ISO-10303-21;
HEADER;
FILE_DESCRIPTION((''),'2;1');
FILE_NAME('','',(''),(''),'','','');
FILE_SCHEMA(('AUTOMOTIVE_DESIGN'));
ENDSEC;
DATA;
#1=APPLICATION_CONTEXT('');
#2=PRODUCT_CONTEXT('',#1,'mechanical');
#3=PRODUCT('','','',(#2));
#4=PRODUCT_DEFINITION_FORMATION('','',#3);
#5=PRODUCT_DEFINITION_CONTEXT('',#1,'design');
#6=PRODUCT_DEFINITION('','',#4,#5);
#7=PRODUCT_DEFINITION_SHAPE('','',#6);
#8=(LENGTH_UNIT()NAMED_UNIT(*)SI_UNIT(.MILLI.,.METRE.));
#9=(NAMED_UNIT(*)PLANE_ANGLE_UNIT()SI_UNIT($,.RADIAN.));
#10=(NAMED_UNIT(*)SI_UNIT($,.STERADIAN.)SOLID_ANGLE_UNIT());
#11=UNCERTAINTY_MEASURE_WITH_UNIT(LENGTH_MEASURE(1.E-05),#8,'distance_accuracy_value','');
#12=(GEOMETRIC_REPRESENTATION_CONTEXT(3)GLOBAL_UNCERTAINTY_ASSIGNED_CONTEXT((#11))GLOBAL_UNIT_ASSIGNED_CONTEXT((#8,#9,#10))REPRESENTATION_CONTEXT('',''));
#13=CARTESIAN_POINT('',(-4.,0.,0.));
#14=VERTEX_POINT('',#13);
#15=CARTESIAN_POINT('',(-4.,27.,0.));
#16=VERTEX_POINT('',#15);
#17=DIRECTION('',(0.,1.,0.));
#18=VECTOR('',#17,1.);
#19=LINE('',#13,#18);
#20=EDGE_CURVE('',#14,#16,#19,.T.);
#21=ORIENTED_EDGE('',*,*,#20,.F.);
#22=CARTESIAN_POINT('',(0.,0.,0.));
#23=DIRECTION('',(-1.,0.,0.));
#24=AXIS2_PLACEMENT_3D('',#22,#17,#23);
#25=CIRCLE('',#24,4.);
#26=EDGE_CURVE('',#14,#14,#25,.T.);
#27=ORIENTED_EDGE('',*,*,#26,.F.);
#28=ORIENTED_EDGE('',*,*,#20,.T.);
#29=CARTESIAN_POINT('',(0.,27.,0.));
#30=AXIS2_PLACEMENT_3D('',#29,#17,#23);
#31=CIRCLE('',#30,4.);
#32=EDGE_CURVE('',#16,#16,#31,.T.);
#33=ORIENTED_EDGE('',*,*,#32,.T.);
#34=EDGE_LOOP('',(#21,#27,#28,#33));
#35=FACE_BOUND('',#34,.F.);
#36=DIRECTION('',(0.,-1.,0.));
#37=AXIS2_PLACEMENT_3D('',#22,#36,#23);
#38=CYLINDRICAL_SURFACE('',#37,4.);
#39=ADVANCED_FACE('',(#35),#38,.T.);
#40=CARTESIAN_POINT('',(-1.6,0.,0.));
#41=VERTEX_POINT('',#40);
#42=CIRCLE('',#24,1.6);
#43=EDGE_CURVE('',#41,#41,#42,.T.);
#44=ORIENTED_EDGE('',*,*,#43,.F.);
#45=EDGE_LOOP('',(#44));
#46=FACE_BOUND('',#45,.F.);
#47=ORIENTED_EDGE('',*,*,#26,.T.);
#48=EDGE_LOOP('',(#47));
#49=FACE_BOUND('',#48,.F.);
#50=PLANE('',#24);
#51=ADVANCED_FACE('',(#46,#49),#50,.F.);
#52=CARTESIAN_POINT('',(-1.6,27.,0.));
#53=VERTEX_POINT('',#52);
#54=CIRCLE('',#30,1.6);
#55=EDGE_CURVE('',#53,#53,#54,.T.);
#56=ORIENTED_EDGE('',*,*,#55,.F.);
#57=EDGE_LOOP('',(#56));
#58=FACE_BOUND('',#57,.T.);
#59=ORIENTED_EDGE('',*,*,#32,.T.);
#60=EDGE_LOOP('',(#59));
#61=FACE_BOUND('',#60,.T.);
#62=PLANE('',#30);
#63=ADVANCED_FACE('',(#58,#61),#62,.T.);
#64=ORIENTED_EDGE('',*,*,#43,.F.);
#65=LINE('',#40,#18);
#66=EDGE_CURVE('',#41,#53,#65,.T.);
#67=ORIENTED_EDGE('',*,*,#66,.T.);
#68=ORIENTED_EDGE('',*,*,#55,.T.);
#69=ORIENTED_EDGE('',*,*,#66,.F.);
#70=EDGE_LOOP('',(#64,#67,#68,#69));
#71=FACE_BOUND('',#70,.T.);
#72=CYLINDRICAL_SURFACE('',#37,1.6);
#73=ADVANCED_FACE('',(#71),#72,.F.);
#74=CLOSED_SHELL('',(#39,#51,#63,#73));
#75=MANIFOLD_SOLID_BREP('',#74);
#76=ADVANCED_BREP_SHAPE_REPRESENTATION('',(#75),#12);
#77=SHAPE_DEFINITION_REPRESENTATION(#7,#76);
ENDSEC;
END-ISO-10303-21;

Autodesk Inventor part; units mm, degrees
ref_plane "YZ Plane" through (0, 0, 0) normal (1, 0, 0) x (0, 1, 0)
ref_plane "XZ Plane" through (0, 0, 0) normal (0, 1, 0) x (-1, 0, 0)
ref_plane "XY Plane" through (0, 0, 0) normal (0, 0, 1) x (1, 0, 0)
sketch "Sketch1" plane through (0, 0, 0) normal (0, 1, 0) x (-1, 0, 0)
  circle A0 centre (0, 0) radius 1.6
  circle A1 centre (0, 0) radius 4
  dimension "d0" = 3.2
  dimension "d1" = 8
extrude "Extrusion1" add sketch "Sketch1" along normal blind 27
properties part number "M3_spacer_27mm"
